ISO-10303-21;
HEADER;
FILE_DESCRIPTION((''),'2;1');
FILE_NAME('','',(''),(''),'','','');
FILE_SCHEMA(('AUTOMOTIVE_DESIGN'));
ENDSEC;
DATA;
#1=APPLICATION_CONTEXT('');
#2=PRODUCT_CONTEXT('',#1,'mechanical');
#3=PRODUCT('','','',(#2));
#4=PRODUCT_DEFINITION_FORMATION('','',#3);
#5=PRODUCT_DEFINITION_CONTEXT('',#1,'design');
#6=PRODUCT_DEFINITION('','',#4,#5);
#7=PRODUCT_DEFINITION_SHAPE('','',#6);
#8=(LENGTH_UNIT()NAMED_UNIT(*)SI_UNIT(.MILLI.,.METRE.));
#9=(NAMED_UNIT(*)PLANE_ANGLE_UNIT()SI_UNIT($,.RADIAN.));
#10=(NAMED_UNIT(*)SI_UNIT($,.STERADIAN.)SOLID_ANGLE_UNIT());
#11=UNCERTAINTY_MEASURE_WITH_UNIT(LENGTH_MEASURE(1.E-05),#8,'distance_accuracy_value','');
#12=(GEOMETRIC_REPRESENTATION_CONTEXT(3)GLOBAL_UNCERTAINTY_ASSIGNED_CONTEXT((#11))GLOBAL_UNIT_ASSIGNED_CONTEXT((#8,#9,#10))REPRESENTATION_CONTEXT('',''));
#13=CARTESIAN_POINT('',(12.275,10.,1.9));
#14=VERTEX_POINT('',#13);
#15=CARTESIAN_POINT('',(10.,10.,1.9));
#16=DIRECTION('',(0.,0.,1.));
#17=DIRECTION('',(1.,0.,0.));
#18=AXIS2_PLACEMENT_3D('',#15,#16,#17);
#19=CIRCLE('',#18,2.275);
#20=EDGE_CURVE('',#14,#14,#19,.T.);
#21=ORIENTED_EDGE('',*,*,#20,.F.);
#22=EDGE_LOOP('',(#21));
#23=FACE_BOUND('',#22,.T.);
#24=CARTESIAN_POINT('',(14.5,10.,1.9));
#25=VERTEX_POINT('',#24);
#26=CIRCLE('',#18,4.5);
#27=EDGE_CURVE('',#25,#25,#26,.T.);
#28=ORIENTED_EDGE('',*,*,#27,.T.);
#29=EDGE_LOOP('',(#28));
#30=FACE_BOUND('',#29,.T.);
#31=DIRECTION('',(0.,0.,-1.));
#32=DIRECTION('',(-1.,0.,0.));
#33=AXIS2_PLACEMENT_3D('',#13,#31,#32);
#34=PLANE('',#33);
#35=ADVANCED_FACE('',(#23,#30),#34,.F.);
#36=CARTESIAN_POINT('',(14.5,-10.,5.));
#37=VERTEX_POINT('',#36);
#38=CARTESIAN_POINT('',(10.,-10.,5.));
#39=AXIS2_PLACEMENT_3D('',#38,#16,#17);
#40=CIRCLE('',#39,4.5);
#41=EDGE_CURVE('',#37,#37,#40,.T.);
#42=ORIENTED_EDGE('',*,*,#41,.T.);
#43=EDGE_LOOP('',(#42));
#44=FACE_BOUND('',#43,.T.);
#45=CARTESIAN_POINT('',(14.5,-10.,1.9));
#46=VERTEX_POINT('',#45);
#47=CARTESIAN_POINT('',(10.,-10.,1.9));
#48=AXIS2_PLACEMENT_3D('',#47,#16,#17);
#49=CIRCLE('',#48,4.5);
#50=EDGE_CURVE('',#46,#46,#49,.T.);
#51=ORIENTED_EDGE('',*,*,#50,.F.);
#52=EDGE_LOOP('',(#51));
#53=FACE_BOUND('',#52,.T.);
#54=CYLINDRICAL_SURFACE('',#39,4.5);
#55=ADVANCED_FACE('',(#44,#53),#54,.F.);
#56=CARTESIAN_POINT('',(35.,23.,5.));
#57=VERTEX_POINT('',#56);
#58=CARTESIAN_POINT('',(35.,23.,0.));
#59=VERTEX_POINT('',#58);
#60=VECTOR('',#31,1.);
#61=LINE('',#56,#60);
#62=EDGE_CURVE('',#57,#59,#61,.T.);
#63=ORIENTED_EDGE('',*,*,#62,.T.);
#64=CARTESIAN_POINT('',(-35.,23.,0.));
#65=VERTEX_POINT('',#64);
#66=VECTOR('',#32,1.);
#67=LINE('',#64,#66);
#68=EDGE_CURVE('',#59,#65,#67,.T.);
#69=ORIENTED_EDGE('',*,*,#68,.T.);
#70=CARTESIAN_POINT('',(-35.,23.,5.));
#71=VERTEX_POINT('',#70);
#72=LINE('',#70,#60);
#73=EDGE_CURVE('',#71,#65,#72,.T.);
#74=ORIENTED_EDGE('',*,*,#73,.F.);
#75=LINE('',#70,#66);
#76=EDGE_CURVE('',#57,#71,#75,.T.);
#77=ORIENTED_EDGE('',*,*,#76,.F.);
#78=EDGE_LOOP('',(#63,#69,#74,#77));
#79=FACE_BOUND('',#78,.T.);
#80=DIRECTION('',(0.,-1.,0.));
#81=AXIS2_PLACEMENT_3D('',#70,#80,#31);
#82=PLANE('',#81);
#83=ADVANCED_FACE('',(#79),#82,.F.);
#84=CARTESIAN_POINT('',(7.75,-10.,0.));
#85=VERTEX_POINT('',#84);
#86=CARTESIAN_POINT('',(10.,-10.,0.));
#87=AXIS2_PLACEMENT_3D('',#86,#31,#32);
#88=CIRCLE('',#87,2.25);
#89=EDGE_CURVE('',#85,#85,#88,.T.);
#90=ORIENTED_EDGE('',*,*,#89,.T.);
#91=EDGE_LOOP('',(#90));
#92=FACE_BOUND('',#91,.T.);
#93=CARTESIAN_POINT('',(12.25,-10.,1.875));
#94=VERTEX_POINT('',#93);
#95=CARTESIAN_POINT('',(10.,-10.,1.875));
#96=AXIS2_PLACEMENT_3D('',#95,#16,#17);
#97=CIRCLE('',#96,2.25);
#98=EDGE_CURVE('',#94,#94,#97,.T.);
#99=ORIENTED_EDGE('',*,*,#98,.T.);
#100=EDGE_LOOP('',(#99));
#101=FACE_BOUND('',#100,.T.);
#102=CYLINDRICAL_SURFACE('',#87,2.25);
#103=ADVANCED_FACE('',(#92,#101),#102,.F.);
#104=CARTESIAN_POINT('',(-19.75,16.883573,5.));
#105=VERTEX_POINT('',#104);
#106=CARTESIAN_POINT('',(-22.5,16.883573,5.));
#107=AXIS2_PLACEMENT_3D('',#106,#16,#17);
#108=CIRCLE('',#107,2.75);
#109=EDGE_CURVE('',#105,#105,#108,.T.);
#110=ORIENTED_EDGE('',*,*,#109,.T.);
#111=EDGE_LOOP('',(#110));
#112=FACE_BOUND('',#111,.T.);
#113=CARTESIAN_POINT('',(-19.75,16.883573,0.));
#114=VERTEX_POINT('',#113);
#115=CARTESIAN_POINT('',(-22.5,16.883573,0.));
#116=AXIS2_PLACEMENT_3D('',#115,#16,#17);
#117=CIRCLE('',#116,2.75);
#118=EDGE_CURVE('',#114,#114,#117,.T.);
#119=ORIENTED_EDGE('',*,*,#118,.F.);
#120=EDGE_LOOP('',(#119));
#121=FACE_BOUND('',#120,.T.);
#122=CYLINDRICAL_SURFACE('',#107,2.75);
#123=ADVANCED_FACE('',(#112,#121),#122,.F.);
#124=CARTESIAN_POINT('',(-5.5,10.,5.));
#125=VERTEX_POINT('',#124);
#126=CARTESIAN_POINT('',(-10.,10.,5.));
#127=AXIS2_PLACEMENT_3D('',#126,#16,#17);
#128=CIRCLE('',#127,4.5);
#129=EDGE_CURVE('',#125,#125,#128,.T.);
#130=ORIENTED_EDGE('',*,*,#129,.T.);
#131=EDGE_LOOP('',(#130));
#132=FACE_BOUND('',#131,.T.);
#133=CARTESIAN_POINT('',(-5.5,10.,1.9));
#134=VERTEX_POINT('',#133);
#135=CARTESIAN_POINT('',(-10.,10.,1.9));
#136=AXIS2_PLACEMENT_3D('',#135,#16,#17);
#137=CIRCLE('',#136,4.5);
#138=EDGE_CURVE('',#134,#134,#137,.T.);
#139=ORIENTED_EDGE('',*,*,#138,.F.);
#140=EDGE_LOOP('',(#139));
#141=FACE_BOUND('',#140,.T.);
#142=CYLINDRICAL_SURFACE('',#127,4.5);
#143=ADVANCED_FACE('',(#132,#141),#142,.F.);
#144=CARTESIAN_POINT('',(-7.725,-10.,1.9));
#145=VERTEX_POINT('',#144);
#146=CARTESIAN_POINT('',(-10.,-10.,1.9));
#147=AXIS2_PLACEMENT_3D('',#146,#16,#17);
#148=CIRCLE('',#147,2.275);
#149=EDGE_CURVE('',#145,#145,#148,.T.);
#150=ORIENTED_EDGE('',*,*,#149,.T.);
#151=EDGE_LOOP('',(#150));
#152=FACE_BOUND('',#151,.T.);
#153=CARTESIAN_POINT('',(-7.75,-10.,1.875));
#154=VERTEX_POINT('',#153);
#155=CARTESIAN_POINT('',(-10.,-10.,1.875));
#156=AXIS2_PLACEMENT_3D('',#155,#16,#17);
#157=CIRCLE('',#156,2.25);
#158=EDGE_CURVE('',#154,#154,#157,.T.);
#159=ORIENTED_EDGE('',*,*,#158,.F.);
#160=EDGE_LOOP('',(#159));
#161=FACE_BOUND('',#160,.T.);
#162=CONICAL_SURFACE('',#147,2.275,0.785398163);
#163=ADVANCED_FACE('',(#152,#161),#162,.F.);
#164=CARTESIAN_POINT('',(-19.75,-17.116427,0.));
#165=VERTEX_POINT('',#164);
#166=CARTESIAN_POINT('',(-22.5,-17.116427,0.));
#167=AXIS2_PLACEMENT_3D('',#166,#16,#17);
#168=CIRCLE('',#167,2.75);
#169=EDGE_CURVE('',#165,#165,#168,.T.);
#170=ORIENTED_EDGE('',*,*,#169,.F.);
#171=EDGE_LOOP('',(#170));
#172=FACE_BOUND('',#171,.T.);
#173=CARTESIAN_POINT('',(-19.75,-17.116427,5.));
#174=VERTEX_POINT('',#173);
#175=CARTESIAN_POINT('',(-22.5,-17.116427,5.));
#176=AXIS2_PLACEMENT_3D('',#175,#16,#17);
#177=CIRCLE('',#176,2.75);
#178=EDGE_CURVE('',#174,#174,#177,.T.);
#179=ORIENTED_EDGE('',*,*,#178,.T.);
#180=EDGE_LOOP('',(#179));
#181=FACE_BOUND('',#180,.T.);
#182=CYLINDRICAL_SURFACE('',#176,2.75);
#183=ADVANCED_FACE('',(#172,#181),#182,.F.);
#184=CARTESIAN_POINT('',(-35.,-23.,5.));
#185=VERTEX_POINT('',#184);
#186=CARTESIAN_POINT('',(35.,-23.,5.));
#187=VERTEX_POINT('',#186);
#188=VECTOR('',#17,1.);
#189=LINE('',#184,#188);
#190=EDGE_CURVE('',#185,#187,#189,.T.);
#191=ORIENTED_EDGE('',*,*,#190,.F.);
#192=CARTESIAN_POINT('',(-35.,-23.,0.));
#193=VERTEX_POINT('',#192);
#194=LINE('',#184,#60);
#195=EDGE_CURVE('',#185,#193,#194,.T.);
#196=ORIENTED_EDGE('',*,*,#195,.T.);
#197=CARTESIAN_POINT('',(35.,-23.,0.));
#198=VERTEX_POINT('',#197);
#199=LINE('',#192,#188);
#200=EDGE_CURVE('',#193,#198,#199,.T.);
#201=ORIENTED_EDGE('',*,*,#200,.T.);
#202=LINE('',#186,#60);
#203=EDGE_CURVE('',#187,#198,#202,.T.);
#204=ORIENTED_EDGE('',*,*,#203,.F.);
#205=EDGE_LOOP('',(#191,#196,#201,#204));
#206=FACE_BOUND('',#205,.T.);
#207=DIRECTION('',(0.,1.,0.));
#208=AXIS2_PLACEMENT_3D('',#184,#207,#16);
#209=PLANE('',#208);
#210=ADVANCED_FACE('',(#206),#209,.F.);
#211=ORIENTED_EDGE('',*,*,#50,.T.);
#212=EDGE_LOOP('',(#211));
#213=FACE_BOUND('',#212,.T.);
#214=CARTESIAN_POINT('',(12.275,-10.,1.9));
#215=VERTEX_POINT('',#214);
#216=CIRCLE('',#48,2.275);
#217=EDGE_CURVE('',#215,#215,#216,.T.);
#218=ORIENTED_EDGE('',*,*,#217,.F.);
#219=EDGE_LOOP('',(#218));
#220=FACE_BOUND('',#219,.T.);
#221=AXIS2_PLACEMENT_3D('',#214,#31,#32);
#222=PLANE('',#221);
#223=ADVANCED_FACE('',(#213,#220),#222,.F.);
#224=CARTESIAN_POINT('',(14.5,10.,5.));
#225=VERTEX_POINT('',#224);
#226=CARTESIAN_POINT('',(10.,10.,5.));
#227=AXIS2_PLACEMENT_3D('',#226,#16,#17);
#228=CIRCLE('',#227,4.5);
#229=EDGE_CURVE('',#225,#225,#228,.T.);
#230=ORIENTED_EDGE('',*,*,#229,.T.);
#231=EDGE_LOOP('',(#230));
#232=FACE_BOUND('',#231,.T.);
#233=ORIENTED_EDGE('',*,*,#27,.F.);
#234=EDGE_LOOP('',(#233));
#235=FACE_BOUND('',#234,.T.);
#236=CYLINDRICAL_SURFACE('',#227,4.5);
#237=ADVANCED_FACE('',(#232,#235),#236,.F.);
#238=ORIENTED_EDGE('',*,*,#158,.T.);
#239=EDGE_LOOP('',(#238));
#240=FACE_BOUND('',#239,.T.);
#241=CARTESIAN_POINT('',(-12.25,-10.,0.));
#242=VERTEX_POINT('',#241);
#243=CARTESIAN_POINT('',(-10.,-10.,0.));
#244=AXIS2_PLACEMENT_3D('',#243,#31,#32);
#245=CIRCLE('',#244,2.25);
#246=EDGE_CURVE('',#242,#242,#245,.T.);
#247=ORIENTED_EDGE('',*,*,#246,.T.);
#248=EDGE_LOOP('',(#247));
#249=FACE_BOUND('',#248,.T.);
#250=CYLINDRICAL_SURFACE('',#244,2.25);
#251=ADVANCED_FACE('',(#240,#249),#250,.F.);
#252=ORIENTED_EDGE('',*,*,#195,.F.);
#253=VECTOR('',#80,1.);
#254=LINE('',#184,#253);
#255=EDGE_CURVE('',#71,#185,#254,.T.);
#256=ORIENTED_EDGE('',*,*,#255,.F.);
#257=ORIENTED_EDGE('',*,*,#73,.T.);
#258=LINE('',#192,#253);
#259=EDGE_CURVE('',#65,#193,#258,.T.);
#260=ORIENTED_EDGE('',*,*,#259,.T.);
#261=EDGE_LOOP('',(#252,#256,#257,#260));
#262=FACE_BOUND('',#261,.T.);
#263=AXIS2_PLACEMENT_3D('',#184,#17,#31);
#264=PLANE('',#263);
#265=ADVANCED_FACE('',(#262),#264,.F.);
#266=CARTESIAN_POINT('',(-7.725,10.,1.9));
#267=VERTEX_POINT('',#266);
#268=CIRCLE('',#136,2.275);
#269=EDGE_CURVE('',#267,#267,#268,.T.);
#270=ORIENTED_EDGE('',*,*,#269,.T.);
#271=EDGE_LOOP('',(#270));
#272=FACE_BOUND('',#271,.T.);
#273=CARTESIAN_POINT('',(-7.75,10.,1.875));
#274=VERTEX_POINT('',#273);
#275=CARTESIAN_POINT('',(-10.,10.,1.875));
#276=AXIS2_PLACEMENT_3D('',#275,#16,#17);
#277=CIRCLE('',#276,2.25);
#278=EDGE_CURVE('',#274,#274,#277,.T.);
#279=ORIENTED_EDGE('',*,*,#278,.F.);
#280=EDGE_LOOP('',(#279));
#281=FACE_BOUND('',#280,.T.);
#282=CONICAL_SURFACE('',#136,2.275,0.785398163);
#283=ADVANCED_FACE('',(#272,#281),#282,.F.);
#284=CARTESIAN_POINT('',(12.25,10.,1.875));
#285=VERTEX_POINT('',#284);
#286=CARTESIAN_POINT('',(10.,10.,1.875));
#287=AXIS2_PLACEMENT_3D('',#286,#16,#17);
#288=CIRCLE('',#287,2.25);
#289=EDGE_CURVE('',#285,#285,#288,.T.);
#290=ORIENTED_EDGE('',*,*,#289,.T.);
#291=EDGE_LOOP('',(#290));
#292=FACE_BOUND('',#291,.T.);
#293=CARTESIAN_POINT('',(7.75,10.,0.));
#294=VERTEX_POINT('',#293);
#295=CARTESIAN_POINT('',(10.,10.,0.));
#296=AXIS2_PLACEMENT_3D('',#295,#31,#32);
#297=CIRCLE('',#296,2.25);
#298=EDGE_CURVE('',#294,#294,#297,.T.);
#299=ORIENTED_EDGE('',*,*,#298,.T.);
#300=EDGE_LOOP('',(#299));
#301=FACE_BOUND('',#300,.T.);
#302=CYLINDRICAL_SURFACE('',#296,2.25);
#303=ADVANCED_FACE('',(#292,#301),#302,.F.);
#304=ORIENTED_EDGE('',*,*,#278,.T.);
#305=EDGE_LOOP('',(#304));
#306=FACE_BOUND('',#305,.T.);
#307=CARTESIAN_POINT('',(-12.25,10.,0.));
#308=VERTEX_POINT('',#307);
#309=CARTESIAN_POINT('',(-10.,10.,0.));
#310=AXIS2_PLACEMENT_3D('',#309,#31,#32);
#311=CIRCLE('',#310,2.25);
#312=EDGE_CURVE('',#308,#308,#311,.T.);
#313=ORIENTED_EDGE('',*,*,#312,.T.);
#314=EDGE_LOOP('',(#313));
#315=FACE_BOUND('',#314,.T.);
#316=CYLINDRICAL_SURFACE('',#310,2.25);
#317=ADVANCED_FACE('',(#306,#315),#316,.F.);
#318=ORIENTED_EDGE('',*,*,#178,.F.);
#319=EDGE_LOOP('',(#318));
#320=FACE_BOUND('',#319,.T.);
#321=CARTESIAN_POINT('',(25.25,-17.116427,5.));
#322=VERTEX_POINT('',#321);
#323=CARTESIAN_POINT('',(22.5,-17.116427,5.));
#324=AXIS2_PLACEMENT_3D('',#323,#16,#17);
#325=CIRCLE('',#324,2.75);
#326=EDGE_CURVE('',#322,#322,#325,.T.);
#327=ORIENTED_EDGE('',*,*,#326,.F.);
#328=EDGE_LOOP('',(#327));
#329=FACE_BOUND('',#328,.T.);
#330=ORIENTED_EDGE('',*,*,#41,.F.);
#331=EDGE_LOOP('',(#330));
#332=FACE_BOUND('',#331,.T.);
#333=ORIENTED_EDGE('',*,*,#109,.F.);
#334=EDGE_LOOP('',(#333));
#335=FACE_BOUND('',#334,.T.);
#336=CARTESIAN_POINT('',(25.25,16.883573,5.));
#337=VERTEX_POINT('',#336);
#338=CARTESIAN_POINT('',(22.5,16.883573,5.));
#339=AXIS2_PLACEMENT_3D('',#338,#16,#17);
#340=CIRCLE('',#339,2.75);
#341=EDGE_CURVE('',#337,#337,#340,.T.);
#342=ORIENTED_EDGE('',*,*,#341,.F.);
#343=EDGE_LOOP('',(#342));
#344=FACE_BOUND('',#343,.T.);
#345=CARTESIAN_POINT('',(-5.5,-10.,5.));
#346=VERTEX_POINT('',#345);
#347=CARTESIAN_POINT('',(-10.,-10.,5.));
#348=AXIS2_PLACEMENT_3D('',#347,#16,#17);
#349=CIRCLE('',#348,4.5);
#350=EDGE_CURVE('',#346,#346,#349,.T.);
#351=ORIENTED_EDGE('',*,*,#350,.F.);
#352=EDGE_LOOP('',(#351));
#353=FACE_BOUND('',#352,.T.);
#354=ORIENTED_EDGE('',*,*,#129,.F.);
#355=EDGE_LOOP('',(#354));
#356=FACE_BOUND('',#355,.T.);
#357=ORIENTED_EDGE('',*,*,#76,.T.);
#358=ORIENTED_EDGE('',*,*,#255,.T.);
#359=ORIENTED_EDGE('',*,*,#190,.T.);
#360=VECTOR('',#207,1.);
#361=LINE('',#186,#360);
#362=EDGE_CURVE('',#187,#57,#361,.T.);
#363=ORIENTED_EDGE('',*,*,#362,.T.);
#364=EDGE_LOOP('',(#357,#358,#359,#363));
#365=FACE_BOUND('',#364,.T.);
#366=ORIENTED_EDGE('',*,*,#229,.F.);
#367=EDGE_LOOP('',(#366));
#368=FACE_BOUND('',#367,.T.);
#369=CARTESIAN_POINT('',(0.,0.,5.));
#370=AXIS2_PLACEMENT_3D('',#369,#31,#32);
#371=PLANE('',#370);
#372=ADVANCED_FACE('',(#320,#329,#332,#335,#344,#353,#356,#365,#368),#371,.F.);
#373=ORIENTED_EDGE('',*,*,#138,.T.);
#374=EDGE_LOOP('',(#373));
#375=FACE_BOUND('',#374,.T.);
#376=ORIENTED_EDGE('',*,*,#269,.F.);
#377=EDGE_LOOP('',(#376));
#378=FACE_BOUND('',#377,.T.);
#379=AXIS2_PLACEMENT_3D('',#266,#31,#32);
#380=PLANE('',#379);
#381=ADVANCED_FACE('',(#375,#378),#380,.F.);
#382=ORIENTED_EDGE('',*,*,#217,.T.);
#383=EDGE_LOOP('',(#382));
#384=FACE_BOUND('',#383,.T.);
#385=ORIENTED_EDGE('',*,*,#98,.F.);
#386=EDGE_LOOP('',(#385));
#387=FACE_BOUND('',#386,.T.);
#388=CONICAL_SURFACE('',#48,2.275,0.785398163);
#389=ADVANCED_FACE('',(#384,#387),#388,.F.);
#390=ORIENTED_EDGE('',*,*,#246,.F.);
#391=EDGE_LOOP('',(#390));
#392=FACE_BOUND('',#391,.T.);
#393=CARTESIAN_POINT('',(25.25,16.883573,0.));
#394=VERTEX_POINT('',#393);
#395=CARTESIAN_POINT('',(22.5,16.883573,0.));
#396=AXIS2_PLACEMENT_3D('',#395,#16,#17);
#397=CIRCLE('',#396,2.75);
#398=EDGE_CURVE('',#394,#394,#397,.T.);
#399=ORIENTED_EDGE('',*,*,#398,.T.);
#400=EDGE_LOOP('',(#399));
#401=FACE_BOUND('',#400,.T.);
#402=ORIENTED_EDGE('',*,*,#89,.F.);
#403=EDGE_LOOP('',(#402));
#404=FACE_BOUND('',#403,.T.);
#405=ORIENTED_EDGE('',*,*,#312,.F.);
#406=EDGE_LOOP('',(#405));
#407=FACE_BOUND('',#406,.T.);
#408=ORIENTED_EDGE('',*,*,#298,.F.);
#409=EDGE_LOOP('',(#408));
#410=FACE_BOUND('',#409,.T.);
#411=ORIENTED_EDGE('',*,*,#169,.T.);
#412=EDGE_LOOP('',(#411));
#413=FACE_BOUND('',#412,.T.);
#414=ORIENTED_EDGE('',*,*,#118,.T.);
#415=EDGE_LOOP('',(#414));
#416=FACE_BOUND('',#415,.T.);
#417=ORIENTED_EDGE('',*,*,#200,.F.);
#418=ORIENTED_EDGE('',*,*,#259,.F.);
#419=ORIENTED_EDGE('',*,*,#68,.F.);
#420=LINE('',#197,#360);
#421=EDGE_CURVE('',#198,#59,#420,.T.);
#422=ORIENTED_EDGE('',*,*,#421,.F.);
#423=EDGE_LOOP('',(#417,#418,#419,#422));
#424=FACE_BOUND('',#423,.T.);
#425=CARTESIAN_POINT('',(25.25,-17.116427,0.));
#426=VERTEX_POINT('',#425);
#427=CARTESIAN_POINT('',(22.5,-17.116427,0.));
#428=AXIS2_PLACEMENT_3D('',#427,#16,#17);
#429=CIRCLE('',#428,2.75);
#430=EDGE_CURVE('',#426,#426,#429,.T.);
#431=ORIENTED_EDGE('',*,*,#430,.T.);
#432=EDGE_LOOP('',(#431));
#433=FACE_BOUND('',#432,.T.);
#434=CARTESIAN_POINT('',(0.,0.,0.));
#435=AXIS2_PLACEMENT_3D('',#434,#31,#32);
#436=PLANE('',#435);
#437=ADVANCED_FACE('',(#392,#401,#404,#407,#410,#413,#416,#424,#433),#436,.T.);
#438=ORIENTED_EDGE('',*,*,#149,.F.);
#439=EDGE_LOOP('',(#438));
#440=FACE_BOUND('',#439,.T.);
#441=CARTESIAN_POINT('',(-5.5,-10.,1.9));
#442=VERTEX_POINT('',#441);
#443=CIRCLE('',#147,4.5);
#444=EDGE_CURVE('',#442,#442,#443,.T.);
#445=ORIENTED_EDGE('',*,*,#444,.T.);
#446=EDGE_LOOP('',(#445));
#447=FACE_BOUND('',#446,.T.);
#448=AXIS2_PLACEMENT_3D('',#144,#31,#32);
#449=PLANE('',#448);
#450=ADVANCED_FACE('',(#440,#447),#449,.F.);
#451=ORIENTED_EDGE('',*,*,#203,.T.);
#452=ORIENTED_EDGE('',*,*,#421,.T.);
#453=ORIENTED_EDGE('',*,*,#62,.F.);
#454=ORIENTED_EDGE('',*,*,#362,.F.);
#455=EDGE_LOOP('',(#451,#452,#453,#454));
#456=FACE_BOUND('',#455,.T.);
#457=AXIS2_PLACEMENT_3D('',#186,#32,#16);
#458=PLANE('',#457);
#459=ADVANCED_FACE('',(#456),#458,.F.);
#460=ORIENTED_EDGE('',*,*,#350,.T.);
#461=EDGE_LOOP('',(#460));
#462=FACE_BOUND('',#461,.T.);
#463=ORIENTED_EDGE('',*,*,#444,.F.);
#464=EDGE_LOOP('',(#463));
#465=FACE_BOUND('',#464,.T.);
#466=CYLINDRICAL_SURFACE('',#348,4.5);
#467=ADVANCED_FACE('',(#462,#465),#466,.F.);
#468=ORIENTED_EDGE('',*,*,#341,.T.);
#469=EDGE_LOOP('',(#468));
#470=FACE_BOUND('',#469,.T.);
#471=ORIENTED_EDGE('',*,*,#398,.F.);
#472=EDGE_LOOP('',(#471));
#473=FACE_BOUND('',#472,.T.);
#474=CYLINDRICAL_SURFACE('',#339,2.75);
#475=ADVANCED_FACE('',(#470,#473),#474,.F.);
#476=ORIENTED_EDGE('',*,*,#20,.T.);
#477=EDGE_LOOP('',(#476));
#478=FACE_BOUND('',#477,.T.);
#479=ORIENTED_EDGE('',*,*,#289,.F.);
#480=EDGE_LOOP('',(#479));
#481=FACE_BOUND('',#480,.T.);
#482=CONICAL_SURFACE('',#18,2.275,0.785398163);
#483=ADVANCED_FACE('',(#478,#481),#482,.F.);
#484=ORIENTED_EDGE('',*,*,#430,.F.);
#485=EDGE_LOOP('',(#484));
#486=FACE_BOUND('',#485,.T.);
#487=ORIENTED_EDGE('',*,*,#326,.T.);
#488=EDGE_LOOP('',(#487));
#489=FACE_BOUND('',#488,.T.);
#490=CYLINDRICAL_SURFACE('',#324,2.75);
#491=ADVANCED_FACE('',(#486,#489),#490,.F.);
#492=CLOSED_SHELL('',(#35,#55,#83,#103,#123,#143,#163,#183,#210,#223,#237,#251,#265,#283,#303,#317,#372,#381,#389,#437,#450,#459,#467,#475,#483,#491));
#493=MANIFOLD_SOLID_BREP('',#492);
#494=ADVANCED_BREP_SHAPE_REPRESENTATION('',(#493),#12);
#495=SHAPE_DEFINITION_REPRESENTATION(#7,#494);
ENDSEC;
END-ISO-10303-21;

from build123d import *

# Parameters (mm, degrees)
ESQUISSE1_W                                = 70
ESQUISSE1_H                                = 46
BOSS_EXTRU_1_DEPTH                         = 5
D_GAGEMENT_M51_D                           = 5.5
D_GAGEMENT_M41_D                           = 4.5
CHAMBRAGE_POUR_VIS_T_TE_RONDE_BOMB_2_COUNT = 2
CHAMBRAGE_POUR_VIS_T_TE_RONDE_BOMB_2_PITCH = 20
CHAMBRAGE_POUR_VIS_T_TE_RONDE_BOMB_3_COUNT = 2
CHAMBRAGE_POUR_VIS_T_TE_RONDE_BOMB_3_PITCH = 28.284271247
CHAMBRAGE_POUR_VIS_T_TE_RONDE_BOMB_4_COUNT = 2
CHAMBRAGE_POUR_VIS_T_TE_RONDE_BOMB_4_PITCH = 20


with BuildPart() as part:
    # Esquisse1 → Boss.-Extru.1 (new body)
    with BuildSketch(Plane.XY):
        Rectangle(ESQUISSE1_W, ESQUISSE1_H)
    extrude(amount=BOSS_EXTRU_1_DEPTH)

    # Dégagement M51 (through all)
    with Locations(Plane.XY.offset(5)):
        with Locations((22.5, -17.116426572), (22.5, 16.883573428), (-22.5, 16.883573428), (-22.5, -17.116426572)):
            Hole(D_GAGEMENT_M51_D / 2)

    # Dégagement M41 (through all)
    with Locations(Plane(origin=(0, 0, 0), x_dir=(-1, 0, 0), z_dir=(0, 0, -1))):
        with Locations((10, -10), (-10, -10), (-10, 10), (10, 10)):
            Hole(D_GAGEMENT_M41_D / 2)

    # Esquisse6 → Chambrage pour vis à tête ronde bombée M41 (revolve, cut)
    with BuildSketch(Plane(origin=(-10, -10, 5), x_dir=(0, -1, 0), z_dir=(1, 0, 0))):
        Polygon((0, 0), (0, 5), (2.25, 5), (2.25, 3.125), (2.275, 3.1), (4.5, 3.1), (4.5, 0), align=None)
    chambrage_pour_vis_t_te_ronde_bomb_e_m = revolve(axis=Axis((-10, -10, 11.35), (0, 0, -1)), mode=Mode.SUBTRACT)

    # Chambrage pour vis _ t_te ronde bomb 2: Chambrage pour vis à tête ronde bombée M41 ×2
    with Locations(*[(0, i * CHAMBRAGE_POUR_VIS_T_TE_RONDE_BOMB_2_PITCH, 0) for i in range(1, CHAMBRAGE_POUR_VIS_T_TE_RONDE_BOMB_2_COUNT)]):
        add(chambrage_pour_vis_t_te_ronde_bomb_e_m, mode=Mode.SUBTRACT)

    # Chambrage pour vis _ t_te ronde bomb 3: Chambrage pour vis à tête ronde bombée M41 ×2
    with Locations(*[Vector(0.7071067811865407, 0.7071067811865545, 0) * (i * CHAMBRAGE_POUR_VIS_T_TE_RONDE_BOMB_3_PITCH) for i in range(1, CHAMBRAGE_POUR_VIS_T_TE_RONDE_BOMB_3_COUNT)]):
        add(chambrage_pour_vis_t_te_ronde_bomb_e_m, mode=Mode.SUBTRACT)

    # Chambrage pour vis _ t_te ronde bomb 4: Chambrage pour vis à tête ronde bombée M41 ×2
    with Locations(*[(i * CHAMBRAGE_POUR_VIS_T_TE_RONDE_BOMB_4_PITCH, 0, 0) for i in range(1, CHAMBRAGE_POUR_VIS_T_TE_RONDE_BOMB_4_COUNT)]):
        add(chambrage_pour_vis_t_te_ronde_bomb_e_m, mode=Mode.SUBTRACT)


solid = part.part
